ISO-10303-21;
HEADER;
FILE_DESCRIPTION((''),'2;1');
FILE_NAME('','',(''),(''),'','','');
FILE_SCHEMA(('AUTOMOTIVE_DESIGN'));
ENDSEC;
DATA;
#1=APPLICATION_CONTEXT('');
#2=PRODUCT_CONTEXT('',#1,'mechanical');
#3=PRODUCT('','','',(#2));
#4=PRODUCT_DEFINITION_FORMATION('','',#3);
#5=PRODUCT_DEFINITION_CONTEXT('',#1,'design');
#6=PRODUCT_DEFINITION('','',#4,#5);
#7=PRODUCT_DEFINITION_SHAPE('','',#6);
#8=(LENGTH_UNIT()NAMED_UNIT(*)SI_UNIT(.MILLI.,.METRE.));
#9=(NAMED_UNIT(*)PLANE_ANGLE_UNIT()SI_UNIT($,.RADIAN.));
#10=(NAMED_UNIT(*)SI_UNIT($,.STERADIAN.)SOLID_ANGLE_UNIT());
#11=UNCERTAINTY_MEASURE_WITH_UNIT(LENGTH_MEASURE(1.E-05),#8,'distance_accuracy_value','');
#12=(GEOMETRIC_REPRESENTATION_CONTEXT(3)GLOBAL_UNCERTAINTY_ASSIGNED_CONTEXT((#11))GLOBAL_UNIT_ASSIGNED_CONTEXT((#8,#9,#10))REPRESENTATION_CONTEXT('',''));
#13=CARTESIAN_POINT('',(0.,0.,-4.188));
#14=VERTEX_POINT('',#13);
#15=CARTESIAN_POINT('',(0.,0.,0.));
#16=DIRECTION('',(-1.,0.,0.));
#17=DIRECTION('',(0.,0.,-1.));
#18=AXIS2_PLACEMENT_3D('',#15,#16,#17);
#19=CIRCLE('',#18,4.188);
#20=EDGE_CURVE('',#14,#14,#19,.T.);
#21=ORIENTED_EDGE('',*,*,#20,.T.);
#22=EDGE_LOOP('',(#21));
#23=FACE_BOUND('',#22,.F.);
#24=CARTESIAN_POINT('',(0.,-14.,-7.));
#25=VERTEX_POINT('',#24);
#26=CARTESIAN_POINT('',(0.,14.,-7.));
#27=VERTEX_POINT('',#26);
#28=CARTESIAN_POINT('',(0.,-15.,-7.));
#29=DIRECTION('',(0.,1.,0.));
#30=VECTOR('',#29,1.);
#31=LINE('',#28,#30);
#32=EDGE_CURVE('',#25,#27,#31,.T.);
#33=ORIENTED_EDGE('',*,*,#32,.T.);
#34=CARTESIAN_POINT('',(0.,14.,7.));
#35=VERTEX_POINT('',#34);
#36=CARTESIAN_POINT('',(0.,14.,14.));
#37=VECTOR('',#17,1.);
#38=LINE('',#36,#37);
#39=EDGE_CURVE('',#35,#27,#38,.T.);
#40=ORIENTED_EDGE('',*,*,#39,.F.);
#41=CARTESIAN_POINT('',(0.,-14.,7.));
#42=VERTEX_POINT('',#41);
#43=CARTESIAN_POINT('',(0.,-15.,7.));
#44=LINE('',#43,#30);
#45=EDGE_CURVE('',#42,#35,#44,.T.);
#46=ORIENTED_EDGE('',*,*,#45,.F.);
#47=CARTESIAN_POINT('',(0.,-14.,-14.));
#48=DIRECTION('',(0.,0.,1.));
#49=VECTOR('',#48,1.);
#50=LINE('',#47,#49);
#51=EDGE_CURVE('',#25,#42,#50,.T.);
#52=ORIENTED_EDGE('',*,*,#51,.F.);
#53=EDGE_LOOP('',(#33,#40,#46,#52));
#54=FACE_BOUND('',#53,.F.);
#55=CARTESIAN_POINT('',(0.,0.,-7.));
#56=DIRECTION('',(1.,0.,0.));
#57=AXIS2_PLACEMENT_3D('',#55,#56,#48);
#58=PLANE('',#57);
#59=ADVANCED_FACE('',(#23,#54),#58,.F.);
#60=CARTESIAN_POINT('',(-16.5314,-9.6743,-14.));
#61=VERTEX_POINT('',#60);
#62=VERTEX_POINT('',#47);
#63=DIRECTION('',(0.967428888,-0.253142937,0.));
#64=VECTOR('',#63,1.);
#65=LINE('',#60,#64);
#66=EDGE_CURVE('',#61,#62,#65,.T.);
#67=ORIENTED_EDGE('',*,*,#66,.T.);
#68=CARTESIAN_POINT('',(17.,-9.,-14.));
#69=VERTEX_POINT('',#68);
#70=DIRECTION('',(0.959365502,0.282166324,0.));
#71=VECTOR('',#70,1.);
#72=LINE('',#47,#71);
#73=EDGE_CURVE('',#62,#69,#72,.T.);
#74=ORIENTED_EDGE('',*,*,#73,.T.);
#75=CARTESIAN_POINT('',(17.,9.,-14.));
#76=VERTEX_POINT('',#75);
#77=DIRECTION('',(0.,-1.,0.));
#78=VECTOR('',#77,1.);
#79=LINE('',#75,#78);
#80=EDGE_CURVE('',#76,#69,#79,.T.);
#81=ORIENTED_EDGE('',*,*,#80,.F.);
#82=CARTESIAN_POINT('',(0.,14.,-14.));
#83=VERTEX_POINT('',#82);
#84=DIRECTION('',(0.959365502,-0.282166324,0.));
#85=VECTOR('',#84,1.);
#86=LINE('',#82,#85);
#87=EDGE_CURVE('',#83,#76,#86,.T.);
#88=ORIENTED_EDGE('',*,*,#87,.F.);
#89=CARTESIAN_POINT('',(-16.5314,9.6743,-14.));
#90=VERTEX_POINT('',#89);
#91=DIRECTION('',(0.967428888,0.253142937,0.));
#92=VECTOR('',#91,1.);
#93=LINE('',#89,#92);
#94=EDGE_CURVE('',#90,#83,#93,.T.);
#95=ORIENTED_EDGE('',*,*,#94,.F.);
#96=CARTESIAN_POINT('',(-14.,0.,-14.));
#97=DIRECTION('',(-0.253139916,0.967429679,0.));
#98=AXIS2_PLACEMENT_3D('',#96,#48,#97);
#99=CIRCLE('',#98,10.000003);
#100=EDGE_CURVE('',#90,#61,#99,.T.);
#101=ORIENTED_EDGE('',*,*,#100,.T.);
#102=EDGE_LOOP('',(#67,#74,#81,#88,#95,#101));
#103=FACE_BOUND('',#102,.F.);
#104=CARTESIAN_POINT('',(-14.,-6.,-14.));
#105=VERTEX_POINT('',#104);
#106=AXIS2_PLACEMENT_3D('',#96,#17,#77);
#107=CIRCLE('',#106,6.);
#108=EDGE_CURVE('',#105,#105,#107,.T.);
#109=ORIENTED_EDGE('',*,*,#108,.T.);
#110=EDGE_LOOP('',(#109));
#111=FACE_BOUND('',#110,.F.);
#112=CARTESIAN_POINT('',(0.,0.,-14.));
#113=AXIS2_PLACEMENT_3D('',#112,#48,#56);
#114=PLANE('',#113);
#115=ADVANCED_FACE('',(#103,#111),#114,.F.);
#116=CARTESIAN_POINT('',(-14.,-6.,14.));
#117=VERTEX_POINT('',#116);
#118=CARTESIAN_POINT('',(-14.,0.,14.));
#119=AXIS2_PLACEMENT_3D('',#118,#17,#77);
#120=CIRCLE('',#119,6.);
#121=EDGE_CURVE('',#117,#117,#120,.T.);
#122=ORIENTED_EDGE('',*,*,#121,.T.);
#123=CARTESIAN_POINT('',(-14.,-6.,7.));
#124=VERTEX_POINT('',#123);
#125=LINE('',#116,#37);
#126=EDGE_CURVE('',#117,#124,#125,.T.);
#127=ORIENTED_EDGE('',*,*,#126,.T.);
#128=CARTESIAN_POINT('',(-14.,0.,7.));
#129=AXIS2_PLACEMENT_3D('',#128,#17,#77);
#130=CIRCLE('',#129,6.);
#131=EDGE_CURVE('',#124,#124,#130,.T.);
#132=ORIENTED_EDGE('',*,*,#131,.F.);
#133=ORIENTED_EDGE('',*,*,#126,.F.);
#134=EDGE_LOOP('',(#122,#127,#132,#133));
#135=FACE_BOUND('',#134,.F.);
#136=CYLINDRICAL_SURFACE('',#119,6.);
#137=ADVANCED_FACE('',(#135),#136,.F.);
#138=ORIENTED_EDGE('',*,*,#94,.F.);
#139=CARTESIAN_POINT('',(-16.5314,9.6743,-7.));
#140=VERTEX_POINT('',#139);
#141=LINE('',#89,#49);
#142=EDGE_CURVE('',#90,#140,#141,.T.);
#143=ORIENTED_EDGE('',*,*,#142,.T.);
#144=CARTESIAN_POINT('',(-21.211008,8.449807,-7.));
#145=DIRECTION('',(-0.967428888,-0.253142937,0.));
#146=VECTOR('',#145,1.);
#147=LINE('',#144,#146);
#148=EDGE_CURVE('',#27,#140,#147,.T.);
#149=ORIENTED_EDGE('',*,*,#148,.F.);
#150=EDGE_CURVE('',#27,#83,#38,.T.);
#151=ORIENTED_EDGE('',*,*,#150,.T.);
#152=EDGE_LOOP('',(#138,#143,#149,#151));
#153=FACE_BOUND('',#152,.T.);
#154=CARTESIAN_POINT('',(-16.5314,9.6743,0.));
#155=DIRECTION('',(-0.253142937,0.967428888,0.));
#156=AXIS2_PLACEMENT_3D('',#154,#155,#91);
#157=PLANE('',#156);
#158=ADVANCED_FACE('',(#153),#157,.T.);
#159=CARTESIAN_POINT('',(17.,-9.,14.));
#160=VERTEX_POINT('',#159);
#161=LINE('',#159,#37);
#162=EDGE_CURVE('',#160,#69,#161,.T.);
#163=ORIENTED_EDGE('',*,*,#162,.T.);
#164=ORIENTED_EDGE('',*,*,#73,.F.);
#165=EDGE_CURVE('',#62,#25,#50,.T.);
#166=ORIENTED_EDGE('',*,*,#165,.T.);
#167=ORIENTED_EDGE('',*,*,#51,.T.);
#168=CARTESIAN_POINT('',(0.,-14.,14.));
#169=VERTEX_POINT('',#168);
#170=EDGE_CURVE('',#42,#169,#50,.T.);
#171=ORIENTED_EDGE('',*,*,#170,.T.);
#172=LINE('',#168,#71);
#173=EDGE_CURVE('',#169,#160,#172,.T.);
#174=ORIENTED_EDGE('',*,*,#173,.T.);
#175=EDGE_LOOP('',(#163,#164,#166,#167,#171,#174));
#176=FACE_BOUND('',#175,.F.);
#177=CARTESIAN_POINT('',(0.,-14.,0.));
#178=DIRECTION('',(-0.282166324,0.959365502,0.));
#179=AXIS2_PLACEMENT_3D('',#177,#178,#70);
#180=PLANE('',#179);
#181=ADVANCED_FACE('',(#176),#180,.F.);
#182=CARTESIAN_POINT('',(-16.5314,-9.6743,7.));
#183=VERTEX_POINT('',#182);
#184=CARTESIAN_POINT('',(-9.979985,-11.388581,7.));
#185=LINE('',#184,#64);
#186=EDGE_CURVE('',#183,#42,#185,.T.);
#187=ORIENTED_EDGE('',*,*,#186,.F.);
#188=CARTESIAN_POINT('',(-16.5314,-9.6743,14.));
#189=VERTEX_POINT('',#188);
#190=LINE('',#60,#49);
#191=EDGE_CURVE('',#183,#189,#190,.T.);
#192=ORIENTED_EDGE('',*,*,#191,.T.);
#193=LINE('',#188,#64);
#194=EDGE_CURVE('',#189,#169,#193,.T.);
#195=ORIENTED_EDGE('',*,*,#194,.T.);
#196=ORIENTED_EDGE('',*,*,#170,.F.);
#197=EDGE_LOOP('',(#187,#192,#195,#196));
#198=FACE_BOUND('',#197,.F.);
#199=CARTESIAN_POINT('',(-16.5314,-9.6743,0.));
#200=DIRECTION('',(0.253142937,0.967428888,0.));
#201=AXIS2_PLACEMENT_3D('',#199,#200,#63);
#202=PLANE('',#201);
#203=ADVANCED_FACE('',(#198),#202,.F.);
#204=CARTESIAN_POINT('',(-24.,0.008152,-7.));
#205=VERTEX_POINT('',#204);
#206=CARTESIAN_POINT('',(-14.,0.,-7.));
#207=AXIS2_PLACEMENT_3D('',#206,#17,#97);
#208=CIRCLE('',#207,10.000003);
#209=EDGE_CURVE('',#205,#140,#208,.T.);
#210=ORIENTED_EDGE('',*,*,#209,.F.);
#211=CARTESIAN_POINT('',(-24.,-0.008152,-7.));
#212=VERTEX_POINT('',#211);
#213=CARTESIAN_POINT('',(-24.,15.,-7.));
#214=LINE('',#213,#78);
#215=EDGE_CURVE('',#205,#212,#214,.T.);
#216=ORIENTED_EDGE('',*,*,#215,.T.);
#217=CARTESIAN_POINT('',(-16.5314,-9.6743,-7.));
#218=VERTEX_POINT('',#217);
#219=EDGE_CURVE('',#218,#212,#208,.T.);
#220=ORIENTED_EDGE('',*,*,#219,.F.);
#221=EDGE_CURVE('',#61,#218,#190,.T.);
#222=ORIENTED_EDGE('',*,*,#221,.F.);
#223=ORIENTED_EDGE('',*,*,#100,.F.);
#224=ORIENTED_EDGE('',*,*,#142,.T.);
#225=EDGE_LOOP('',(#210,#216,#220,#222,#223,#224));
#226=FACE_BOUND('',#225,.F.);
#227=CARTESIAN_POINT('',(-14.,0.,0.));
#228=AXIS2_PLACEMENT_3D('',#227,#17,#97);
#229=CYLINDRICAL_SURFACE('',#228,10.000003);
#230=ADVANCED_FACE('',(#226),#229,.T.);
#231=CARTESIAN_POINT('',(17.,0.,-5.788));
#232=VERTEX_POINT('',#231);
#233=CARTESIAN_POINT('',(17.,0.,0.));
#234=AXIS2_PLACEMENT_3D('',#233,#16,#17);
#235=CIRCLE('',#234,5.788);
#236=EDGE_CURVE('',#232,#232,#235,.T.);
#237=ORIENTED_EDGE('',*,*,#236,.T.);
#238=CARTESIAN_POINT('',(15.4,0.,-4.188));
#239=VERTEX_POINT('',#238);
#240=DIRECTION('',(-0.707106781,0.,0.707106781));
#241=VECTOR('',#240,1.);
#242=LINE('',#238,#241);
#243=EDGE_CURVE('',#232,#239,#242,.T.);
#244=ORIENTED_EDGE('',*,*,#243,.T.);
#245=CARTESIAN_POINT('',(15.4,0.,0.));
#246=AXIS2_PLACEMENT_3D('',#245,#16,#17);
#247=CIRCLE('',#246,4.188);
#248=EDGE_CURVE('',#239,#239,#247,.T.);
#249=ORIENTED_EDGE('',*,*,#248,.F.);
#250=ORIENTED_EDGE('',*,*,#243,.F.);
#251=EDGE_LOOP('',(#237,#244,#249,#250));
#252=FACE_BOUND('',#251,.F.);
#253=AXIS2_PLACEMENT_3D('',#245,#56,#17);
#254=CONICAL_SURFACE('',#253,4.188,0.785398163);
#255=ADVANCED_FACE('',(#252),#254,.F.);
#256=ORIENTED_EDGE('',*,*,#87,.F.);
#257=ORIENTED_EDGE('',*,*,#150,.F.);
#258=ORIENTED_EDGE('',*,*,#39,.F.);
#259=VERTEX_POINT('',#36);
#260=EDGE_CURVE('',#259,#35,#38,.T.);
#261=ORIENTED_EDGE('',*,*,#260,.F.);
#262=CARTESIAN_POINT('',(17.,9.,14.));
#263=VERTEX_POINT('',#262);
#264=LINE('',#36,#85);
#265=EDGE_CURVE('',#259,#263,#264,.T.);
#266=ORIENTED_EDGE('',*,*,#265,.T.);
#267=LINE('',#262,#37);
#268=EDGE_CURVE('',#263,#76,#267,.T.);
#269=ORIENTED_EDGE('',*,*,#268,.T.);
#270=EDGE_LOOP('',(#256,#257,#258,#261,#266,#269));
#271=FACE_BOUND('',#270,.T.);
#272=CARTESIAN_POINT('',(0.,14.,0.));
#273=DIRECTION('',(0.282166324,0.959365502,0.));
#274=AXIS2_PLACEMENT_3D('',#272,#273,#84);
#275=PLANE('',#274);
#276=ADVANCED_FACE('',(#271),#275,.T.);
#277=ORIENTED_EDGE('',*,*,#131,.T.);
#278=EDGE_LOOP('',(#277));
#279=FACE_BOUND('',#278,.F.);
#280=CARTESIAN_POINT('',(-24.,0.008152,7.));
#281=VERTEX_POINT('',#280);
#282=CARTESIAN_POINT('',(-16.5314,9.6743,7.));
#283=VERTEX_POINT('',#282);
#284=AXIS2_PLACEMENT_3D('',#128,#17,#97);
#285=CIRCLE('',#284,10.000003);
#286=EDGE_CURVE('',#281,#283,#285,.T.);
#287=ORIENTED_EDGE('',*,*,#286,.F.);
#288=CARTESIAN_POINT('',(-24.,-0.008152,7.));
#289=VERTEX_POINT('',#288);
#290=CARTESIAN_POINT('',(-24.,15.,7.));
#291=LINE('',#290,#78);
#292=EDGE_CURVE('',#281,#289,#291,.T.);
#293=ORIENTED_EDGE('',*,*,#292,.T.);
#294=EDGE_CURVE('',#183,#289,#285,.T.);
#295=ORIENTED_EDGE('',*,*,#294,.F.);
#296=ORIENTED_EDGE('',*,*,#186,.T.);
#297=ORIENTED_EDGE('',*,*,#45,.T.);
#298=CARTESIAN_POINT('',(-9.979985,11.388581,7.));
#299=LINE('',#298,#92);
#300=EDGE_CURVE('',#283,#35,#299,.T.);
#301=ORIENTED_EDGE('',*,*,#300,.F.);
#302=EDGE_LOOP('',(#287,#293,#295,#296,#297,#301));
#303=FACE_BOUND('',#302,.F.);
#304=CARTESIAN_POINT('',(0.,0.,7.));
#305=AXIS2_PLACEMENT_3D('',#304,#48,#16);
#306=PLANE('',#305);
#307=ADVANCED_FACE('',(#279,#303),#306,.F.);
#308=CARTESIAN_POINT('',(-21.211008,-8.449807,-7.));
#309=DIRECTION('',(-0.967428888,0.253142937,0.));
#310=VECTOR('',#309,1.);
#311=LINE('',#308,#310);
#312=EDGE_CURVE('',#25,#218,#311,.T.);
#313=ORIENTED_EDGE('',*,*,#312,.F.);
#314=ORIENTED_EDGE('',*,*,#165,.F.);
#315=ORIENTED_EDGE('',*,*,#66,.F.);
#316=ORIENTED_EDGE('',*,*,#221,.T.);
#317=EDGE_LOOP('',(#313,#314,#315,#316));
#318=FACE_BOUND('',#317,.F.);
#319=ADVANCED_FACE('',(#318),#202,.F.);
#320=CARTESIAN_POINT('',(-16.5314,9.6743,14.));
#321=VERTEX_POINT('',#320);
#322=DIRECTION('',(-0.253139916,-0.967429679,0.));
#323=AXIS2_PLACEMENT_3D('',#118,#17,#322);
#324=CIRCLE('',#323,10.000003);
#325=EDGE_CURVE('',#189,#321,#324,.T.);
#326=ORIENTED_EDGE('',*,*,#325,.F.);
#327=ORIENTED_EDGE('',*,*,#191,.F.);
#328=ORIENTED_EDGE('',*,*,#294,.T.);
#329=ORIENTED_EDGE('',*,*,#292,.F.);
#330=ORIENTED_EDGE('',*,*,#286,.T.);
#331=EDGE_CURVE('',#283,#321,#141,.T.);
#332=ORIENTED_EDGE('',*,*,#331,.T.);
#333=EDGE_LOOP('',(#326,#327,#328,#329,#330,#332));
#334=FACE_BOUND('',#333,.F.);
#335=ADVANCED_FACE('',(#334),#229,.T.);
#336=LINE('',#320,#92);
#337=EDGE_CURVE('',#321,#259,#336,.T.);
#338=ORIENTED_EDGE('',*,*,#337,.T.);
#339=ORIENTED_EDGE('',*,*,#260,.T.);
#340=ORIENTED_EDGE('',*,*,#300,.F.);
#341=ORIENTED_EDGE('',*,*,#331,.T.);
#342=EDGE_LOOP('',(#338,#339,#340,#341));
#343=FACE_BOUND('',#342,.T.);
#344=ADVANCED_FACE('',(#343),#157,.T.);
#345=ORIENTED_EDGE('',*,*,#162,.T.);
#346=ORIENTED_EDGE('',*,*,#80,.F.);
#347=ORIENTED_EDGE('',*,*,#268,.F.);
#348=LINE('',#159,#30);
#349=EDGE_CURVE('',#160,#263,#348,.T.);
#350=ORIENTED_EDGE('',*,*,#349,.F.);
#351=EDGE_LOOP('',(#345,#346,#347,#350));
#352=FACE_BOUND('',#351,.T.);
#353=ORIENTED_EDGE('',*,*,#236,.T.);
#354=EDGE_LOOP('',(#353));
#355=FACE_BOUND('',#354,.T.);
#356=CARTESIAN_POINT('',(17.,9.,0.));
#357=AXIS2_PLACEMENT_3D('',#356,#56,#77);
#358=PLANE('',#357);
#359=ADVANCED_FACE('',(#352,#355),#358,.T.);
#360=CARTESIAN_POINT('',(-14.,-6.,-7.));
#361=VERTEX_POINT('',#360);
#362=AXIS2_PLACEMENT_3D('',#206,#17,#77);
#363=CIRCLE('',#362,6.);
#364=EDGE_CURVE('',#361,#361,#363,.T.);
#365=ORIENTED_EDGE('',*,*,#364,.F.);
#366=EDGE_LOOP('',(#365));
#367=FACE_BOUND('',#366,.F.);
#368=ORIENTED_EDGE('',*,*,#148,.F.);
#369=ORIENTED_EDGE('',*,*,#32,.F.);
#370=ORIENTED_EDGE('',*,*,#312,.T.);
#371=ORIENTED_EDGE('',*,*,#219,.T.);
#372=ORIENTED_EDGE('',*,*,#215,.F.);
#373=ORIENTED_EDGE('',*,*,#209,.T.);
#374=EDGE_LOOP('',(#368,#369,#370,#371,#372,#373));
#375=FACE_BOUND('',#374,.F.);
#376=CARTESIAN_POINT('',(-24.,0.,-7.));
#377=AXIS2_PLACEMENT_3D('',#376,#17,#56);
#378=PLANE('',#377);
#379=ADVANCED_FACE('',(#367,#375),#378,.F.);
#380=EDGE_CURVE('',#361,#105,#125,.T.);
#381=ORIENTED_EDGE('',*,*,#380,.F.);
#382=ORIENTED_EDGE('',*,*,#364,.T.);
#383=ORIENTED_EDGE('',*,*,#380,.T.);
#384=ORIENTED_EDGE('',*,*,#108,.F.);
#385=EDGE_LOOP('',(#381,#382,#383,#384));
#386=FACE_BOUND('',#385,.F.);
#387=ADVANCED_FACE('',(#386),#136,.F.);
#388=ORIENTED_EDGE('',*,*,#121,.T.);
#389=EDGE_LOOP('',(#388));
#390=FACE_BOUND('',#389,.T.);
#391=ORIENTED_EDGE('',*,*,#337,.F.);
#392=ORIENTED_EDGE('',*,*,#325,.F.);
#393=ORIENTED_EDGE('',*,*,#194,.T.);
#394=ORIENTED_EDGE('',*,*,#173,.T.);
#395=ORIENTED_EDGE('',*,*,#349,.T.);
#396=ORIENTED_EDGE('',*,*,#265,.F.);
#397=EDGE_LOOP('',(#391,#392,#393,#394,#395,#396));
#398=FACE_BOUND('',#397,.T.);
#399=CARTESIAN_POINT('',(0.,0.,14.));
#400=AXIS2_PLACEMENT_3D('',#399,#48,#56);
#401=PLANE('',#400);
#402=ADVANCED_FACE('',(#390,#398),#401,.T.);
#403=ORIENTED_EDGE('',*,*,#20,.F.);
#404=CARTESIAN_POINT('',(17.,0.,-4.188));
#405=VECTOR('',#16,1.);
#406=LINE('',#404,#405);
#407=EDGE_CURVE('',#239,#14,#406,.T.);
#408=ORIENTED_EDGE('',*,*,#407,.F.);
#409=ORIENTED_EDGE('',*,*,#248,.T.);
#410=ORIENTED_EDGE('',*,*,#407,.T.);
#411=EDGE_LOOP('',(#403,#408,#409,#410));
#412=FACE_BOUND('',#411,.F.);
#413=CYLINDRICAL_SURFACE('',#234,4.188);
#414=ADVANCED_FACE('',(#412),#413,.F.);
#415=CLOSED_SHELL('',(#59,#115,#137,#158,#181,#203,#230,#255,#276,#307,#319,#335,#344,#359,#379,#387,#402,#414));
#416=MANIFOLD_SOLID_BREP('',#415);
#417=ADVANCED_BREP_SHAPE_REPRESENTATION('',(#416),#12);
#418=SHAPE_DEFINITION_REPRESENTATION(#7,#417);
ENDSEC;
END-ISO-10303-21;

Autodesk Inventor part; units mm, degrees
ref_plane "YZ Plane" through (0, 0, 0) normal (1, 0, 0) x (0, 1, 0)
ref_plane "XZ Plane" through (0, 0, 0) normal (0, 1, 0) x (-1, 0, 0)
ref_plane "XY Plane" through (0, 0, 0) normal (0, 0, 1) x (1, 0, 0)
sketch "Эскиз1" plane through (0, 0, 0) normal (0, 0, 1) x (1, 0, 0)
  line L0 (-16.5314, 9.6743) -> (0, 14)
  line L1 (0, 14) -> (17, 9)
  line L2 (17, 9) -> (17, 1.7034)
  line L3 (-67.604, 0) -> (31.1007, 0) projected
  line L4 (-16.5314, -9.6743) -> (0, -14)
  line L5 (0, -14) -> (17, -9)
  line L6 (17, -9) -> (17, 1.7034)
  arc A0 (-16.5314, 9.6743) -> (-16.5314, -9.6743) centre (-14, 0) ccw
  point P0 (0, 0)
  point P1 (-53.5033, 0)
  dimension "d0" = 10
  dimension "d1" = 31
  dimension "d2" = 28
  dimension "d3" = 14
  dimension "d4" = 18
extrude "Выдавливание1" add sketch "Эскиз1" along normal mid plane 28
sketch "Эскиз2" plane through (0, 0, 0) normal (0, 1, 0) x (-1, 0, 0)
  line L0 (0, 7) -> (24, 7)
  line L1 (24, 7) -> (24, -7)
  line L2 (24, -7) -> (0, -7)
  line L3 (0, -7) -> (0, 7)
  line L4 (24, -14) -> (24, 14) projected
  point P0 (0, 0)
  point P1 (0, 0)
  dimension "d7" = 14
extrude "Выдавливание2" cut sketch "Эскиз2" along normal through all both and the other way through all
sketch "Эскиз3" plane through (0, 0, 14) normal (0, 0, 1) x (1, 0, 0)
  arc A0 (-16.5314, 9.6743) -> (-16.5314, -9.6743) centre (-14, 0) ccw projected
  point P0 (0, 0)
hole "Отверстие1" at (-14, 0, 14) direction (0, 0, -1) diameter 12 end through all
sketch "Эскиз4" plane through (17, -9, 14) normal (1, 0, 0) x (0, 0, -1)
  line L0 (28, 18) -> (0, 18) projected
  line L1 (28, 18) -> (28, 0) projected
  point P0 (14, 9)
  point P1 (14, 9)
  dimension "d17" = 9
  dimension "d18" = 14
hole "Отверстие2" at (17, 0, 0) direction (-1, 0, 0) diameter 8.376 end through all thread size "M10x1.5" class "6H" standard "ISO Metric profile"
chamfer "Фаска1" distance 1.6 angle 45 1 edges at (17, 0, 4.188)
properties part number "05.01.001" material "Iron, Cast"
